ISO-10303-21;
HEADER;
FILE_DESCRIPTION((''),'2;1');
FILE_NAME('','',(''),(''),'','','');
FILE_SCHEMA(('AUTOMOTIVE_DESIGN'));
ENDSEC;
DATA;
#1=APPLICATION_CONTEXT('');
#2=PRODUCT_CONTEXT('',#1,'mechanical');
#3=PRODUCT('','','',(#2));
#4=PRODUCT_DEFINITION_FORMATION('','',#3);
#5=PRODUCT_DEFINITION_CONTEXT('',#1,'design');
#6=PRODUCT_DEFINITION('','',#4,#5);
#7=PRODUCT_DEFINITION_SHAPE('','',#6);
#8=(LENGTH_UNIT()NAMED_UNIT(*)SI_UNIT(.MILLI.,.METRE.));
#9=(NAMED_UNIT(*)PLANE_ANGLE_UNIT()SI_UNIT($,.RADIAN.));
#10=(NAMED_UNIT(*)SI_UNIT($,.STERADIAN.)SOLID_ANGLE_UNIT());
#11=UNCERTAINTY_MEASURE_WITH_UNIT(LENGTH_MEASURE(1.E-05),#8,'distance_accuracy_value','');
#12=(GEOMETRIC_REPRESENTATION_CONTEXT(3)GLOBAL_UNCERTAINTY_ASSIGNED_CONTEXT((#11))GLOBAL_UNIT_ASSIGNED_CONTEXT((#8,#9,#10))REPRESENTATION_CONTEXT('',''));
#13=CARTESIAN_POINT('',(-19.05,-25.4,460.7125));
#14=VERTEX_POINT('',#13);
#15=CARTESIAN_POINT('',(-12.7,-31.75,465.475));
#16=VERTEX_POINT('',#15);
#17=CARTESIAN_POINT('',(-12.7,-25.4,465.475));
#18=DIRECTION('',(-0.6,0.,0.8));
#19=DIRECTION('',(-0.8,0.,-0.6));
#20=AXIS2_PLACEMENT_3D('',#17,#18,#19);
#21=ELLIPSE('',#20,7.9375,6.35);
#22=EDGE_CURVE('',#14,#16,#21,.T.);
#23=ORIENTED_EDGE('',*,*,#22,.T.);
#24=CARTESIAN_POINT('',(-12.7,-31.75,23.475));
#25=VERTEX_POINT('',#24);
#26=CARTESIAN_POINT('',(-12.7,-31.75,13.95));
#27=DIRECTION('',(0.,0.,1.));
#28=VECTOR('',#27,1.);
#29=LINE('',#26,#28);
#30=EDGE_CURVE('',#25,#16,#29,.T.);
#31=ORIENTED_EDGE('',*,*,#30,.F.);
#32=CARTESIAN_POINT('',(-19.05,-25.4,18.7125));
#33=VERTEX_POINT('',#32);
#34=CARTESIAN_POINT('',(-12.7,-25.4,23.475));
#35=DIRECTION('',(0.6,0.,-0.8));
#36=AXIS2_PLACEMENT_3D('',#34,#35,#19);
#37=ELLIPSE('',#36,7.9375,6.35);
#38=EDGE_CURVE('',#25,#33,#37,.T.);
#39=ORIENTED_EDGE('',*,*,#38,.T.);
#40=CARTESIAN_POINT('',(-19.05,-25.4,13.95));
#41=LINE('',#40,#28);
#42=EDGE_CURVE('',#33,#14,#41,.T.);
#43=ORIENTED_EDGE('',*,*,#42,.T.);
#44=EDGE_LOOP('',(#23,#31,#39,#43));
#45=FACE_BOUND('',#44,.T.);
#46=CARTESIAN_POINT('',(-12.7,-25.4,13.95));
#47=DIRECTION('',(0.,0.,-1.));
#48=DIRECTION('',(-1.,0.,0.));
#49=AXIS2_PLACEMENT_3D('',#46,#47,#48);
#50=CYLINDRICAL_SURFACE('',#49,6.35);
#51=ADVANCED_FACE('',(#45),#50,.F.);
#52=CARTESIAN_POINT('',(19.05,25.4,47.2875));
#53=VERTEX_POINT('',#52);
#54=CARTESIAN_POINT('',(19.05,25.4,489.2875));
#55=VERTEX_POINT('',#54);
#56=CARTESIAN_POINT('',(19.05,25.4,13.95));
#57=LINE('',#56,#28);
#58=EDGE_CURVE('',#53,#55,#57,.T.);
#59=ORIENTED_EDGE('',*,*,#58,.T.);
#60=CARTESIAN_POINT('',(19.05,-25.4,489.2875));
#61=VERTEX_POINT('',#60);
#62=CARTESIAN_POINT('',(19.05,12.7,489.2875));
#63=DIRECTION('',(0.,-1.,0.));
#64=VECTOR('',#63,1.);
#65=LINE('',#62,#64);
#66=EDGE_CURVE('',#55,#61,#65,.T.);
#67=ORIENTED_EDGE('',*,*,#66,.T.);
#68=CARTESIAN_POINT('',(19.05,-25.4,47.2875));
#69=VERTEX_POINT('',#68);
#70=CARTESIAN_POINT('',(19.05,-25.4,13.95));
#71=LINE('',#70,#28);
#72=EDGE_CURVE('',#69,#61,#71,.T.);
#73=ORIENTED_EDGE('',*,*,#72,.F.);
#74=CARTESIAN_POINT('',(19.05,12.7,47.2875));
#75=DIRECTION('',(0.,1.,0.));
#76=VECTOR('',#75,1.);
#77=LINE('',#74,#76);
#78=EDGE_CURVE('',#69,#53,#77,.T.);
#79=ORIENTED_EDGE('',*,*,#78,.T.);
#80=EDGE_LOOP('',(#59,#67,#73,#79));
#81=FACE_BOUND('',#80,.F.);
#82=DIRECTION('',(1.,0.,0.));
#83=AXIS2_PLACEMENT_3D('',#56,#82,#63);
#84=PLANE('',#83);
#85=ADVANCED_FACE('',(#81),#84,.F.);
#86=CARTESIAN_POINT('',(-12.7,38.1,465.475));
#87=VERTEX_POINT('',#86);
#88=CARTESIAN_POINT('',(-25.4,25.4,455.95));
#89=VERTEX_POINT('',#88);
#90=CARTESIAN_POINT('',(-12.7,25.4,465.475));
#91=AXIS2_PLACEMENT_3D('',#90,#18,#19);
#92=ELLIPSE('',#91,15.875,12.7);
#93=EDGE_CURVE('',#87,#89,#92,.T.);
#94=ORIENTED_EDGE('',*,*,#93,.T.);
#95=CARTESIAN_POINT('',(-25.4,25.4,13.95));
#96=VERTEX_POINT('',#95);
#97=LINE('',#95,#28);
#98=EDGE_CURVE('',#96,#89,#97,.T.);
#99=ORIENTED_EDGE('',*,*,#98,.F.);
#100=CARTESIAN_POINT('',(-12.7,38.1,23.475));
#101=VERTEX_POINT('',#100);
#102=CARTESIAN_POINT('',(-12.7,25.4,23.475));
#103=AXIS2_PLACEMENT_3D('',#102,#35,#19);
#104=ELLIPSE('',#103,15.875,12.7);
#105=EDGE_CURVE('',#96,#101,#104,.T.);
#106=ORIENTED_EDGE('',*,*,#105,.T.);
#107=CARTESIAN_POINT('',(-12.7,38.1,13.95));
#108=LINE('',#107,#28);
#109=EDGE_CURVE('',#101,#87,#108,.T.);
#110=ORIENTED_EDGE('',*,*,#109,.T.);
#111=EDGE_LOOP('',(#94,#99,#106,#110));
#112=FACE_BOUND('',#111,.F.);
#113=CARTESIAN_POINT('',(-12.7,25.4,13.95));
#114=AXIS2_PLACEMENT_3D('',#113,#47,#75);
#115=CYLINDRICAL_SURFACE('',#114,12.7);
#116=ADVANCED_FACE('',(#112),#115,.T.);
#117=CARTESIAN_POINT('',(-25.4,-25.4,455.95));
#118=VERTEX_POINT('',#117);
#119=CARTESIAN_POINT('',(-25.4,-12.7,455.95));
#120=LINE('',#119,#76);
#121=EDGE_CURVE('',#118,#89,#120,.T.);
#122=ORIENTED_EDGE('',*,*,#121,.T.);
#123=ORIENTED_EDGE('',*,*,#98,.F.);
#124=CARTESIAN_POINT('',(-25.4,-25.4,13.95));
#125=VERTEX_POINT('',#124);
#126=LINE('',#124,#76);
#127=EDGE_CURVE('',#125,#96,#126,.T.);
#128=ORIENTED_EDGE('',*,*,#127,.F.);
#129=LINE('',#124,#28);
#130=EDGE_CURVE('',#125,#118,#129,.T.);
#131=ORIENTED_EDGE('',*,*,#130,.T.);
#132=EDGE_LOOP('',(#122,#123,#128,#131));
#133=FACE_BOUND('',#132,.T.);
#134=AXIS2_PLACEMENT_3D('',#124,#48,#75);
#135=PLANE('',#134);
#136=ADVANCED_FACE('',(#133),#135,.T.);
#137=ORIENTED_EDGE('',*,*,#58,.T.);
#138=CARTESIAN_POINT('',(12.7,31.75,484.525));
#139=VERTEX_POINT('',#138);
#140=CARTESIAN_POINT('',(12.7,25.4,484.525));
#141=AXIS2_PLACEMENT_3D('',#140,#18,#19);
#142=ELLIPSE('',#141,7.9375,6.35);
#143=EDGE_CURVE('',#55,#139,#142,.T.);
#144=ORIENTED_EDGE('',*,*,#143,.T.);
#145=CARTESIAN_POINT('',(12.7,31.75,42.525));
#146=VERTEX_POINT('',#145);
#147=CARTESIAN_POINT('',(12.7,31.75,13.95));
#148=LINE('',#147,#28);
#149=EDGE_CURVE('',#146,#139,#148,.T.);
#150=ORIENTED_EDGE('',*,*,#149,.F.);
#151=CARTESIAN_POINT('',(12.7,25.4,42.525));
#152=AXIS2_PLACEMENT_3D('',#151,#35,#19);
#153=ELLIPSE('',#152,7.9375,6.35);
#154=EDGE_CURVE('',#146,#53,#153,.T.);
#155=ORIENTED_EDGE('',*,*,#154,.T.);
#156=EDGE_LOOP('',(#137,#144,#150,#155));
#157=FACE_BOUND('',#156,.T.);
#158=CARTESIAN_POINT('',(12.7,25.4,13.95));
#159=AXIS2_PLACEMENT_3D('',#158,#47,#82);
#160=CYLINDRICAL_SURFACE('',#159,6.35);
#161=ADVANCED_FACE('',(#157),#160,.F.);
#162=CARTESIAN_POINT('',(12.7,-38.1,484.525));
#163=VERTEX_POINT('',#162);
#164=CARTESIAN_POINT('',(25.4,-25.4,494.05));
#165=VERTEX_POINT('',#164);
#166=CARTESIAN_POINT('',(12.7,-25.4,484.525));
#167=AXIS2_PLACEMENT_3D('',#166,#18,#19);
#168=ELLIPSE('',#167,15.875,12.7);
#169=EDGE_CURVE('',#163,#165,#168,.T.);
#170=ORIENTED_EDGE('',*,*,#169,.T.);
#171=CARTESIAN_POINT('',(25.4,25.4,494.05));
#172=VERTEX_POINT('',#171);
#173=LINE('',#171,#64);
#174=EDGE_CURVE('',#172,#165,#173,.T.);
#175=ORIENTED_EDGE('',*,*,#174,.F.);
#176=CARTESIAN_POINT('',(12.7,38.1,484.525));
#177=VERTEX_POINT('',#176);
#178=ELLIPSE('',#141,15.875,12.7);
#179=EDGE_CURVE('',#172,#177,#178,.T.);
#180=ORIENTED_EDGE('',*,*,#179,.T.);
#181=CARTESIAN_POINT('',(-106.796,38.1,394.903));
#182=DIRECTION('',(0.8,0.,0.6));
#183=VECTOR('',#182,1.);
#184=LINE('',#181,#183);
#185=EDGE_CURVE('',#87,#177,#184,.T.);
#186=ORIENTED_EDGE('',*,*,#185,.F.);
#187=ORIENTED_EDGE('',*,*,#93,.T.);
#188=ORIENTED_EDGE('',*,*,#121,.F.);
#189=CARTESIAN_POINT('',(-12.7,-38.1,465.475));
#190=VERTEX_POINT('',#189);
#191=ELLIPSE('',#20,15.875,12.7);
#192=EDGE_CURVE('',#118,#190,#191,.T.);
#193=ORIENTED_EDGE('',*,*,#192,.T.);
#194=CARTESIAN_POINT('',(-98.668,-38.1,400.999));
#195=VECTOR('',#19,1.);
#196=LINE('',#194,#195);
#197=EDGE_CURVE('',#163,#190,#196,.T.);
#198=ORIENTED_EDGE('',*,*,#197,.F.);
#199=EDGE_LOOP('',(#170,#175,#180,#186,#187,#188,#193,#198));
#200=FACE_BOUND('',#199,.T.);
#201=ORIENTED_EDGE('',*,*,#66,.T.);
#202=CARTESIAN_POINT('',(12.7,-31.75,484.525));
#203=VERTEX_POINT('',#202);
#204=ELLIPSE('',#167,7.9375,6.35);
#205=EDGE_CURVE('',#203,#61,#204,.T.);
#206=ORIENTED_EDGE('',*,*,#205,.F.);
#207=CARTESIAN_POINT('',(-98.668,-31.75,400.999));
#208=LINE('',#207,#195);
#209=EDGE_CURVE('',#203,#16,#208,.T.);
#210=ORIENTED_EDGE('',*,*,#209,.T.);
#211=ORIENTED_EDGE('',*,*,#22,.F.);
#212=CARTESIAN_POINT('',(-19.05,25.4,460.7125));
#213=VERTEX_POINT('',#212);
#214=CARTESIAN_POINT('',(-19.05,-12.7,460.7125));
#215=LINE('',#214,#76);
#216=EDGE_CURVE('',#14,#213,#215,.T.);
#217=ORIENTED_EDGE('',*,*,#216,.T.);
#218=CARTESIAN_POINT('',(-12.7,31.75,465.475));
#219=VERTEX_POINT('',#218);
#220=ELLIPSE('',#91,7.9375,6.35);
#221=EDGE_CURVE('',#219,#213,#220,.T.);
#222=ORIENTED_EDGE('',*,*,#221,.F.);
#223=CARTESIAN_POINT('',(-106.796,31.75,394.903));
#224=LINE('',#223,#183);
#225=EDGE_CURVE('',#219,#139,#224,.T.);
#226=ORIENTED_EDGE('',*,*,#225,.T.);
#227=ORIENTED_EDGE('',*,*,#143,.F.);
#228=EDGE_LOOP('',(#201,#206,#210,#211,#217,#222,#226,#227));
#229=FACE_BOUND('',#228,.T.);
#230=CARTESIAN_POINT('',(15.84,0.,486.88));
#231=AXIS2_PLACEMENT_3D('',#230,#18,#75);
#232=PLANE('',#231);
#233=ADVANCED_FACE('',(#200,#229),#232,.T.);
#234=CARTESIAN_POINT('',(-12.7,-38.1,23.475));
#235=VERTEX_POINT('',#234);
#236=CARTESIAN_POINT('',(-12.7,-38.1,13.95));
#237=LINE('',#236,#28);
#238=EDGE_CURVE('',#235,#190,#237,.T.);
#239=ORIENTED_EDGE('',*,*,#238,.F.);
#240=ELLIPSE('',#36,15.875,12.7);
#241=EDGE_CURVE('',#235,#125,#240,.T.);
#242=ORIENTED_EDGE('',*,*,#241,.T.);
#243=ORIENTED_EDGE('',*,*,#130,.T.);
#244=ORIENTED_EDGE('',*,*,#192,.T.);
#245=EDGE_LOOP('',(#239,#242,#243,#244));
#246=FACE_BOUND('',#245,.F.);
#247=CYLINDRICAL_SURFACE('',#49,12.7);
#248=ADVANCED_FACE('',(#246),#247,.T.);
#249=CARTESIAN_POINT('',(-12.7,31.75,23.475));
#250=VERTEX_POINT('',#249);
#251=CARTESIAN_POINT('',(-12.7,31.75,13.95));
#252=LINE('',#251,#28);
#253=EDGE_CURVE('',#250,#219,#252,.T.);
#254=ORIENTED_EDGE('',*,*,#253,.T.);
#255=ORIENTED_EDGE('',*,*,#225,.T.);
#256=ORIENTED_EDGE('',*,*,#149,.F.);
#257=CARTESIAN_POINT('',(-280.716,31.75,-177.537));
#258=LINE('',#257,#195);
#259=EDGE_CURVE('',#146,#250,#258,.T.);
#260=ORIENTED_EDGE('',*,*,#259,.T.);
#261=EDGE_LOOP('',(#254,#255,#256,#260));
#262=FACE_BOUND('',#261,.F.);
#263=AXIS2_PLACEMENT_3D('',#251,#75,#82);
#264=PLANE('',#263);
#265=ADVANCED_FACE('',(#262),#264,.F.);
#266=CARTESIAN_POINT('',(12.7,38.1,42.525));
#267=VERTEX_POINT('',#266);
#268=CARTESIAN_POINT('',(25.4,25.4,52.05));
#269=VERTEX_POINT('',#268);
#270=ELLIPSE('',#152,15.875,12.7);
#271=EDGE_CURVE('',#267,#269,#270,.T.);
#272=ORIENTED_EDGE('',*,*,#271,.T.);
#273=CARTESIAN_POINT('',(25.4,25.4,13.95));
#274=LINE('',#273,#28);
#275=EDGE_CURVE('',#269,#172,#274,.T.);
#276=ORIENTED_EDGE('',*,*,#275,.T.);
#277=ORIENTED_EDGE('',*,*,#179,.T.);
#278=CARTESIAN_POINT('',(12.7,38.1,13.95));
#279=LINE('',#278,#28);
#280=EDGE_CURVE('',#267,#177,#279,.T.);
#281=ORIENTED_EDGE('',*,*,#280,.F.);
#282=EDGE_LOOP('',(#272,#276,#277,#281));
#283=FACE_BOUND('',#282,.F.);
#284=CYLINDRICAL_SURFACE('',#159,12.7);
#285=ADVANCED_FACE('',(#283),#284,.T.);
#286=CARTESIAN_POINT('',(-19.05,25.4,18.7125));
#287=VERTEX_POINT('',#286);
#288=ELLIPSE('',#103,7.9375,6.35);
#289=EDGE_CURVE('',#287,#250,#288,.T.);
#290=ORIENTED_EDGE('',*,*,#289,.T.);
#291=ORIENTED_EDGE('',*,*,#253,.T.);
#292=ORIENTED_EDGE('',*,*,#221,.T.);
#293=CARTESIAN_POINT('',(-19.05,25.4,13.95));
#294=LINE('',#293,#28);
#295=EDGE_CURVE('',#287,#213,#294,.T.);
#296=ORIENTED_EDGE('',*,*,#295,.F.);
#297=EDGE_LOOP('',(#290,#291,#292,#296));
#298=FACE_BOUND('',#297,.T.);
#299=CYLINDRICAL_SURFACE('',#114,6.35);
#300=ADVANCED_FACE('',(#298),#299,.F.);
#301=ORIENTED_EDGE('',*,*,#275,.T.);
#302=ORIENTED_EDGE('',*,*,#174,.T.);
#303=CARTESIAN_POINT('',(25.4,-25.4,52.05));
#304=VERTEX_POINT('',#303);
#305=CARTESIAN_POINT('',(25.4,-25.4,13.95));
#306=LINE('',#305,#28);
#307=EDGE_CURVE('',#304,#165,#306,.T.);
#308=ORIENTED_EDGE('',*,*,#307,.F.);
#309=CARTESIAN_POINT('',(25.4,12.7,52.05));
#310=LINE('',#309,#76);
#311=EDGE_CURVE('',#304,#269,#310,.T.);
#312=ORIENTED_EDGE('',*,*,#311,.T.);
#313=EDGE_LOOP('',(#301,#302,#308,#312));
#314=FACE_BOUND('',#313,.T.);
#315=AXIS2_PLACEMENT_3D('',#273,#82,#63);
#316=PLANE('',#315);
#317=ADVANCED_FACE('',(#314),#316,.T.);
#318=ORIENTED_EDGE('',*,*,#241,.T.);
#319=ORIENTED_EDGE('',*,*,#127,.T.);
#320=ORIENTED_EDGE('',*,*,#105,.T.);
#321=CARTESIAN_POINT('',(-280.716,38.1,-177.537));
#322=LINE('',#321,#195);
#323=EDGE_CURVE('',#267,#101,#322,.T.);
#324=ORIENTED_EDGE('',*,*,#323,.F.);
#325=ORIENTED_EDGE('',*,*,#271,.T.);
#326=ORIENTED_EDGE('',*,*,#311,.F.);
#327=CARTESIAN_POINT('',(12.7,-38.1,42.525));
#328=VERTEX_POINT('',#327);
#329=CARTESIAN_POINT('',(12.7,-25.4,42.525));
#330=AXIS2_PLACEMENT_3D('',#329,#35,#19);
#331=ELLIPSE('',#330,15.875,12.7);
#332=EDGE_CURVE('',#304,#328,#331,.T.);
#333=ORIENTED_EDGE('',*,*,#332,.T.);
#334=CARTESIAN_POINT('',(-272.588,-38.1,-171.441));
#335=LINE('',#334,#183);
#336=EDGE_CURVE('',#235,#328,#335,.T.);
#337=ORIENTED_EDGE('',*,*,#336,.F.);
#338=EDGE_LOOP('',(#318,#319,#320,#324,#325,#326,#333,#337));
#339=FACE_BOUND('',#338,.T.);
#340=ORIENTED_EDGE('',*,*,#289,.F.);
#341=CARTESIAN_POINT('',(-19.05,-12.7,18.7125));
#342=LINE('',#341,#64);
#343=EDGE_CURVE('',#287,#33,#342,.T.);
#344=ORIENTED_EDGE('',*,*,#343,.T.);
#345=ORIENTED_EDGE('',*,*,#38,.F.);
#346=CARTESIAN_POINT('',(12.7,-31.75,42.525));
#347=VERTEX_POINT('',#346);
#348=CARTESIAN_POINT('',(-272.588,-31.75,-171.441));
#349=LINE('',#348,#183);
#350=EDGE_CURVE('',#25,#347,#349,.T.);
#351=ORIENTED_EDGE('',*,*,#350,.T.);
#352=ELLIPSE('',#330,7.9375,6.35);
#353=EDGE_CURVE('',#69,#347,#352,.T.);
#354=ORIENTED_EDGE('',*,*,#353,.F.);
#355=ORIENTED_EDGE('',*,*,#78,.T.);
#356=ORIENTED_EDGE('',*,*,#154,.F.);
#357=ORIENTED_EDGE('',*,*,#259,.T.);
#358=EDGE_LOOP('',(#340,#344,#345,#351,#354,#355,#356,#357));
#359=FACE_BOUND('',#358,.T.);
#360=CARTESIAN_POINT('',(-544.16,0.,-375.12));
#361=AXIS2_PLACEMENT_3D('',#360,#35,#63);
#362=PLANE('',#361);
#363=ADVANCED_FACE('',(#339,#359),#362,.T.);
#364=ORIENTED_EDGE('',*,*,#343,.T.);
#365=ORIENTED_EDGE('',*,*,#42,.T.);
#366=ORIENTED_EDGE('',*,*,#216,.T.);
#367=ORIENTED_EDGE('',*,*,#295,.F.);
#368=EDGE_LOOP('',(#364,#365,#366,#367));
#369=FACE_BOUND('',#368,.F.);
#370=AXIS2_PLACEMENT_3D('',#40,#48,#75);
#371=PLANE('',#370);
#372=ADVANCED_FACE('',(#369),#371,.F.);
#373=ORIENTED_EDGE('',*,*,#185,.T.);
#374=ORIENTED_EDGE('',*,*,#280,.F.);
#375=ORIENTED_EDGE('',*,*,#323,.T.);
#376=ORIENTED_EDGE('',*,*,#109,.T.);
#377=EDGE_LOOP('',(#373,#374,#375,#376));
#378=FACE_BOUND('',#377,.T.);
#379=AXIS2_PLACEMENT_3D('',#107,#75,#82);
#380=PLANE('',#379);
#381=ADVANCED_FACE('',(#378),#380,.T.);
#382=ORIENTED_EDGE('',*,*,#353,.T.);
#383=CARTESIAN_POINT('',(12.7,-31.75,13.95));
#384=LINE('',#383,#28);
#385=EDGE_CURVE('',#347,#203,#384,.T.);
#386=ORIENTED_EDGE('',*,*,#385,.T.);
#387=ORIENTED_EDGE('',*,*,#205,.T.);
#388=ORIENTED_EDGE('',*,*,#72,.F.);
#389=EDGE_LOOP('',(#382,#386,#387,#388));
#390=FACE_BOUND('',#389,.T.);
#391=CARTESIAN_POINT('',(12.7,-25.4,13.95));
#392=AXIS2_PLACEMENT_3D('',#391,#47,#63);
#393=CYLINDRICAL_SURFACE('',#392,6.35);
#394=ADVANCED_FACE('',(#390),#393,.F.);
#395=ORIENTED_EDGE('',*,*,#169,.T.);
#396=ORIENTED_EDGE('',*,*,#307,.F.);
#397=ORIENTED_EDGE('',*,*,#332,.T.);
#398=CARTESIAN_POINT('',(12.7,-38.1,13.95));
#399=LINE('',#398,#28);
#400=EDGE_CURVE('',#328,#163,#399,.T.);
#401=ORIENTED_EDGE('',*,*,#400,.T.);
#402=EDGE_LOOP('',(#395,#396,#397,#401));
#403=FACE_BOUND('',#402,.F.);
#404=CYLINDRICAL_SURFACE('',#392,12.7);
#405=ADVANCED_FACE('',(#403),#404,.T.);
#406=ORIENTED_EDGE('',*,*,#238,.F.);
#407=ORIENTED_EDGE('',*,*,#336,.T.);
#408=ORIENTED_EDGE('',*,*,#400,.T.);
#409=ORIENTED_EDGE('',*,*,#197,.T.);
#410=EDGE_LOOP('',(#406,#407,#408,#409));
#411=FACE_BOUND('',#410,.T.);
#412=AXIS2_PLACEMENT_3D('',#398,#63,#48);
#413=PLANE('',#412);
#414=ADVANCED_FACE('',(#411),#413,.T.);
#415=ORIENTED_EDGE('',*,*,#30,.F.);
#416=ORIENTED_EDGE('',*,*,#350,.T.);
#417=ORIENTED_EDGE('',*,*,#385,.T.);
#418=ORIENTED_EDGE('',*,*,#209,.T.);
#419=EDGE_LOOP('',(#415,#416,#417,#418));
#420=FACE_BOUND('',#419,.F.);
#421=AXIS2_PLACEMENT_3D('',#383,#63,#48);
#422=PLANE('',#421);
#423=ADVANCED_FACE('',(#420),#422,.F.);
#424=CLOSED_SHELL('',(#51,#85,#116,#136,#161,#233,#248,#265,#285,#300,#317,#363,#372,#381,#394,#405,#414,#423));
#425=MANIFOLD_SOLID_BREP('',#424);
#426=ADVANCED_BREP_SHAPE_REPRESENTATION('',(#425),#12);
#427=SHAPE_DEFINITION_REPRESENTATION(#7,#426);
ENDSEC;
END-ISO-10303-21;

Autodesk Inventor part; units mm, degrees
ref_plane "Start Plane" through (0, 0, 13.95) normal (0, 0, 1) x (1, 0, 0)
ref_plane "End Plane" through (0, 0, 494.05) normal (0, 0, 1) x (1, 0, 0)
sketch "Sketch" plane through (0, 0, 0) normal (0, 0, 1) x (1, 0, 0)
  line L0 (-25.4, -25.4) -> (-25.4, 25.4)
  line L1 (-12.7, 38.1) -> (12.7, 38.1)
  line L2 (25.4, 25.4) -> (25.4, -25.4)
  line L3 (12.7, -38.1) -> (-12.7, -38.1)
  arc A0 (-25.4, -25.4) -> (-12.7, -38.1) centre (-12.7, -25.4) ccw
  arc A1 (-12.7, 38.1) -> (-25.4, 25.4) centre (-12.7, 25.4) ccw
  arc A2 (25.4, 25.4) -> (12.7, 38.1) centre (12.7, 25.4) ccw
  arc A3 (12.7, -38.1) -> (25.4, -25.4) centre (12.7, -25.4) ccw
  arc A4 (-12.7, 31.75) -> (-19.05, 25.4) centre (-12.7, 25.4) ccw
  line L4 (-12.7, 31.75) -> (12.7, 31.75)
  arc A5 (19.05, 25.4) -> (12.7, 31.75) centre (12.7, 25.4) ccw
  line L5 (19.05, 25.4) -> (19.05, -25.4)
  arc A6 (12.7, -31.75) -> (19.05, -25.4) centre (12.7, -25.4) ccw
  line L6 (12.7, -31.75) -> (-12.7, -31.75)
  arc A7 (-19.05, -25.4) -> (-12.7, -31.75) centre (-12.7, -25.4) ccw
  line L7 (-19.05, -25.4) -> (-19.05, 25.4)
  line L8 (0, 57.0224) -> (0, -57.0224) construction
  line L9 (-39.2424, 0) -> (39.2424, 0) construction
  dimension "d10" = 76.2
  dimension "d11" = 50.8
  dimension "d12" = 6.35
  dimension "d15" = 38.1
  dimension "d16" = 25.4
  dimension "d17" = 12.7
extrude "Body" add sketch "Sketch" along normal up to surface (480.1 mm away) from surface at 13.95
sketch "Sketch3" plane through (0, 0, 0) normal (0, 0, 1) x (1, 0, 0)
  line L0 (0, 0) -> (10, 0)
ref_plane "Work Plane3" through (0, 0, 0) normal (0, -1, 0) x (1, 0, 0)
ref_plane "Work Plane4" through (15.84, 0, 486.88) normal (-0.6, 0, 0.8) x (0.8, 0, 0.6)
split "Split1" plane through (15.84, 0, 486.88) removes the side toward (-0.6, 0, 0.8)
ref_plane "Work Plane5" through (-544.16, 0, -375.12) normal (0.6, 0, -0.8) x (-0.8, 0, -0.6)
split "Split2" plane through (-544.16, 0, -375.12) removes the side toward (0.6, 0, -0.8)
sketch "Sketch4" plane through (0, 0, 0) normal (0, -1, 0) x (1, 0, 0)
  line L0 (-2, 13.95) -> (12, 13.95) projected
  line L1 (-2, 494.05) -> (12, 494.05) projected
  dimension "d19" = 480.1
equation "\"d10\" = G_H"
equation "\"d11\" = G_W"
equation "\"d12\" = G_T"
equation "\"d15\" = 0.5 * d10"
equation "\"d16\" = 0.5 * d11"
equation "\"d17\" = G_IR"
equation "\"d3\" = G_L"
equation "\"G_W\" = 50.8"
equation "\"G_H\" = 76.2"
equation "\"G_T\" = 6.35"
equation "\"G_IR\" = 12.7"
equation "\"G_L\" = d19"
equation "\"G_OFFSET_START\" = -13.95"
equation "\"G_OFFSET_END\" = -13.95"
equation "\"d13\" = -G_OFFSET_START"
equation "\"d14\" = G_OFFSET_END + B_L"
equation "\"B_L\" = 508"
properties part number "AISC - 3 x 2 x 1/4 - 18.902" material "Steel, Mild"
